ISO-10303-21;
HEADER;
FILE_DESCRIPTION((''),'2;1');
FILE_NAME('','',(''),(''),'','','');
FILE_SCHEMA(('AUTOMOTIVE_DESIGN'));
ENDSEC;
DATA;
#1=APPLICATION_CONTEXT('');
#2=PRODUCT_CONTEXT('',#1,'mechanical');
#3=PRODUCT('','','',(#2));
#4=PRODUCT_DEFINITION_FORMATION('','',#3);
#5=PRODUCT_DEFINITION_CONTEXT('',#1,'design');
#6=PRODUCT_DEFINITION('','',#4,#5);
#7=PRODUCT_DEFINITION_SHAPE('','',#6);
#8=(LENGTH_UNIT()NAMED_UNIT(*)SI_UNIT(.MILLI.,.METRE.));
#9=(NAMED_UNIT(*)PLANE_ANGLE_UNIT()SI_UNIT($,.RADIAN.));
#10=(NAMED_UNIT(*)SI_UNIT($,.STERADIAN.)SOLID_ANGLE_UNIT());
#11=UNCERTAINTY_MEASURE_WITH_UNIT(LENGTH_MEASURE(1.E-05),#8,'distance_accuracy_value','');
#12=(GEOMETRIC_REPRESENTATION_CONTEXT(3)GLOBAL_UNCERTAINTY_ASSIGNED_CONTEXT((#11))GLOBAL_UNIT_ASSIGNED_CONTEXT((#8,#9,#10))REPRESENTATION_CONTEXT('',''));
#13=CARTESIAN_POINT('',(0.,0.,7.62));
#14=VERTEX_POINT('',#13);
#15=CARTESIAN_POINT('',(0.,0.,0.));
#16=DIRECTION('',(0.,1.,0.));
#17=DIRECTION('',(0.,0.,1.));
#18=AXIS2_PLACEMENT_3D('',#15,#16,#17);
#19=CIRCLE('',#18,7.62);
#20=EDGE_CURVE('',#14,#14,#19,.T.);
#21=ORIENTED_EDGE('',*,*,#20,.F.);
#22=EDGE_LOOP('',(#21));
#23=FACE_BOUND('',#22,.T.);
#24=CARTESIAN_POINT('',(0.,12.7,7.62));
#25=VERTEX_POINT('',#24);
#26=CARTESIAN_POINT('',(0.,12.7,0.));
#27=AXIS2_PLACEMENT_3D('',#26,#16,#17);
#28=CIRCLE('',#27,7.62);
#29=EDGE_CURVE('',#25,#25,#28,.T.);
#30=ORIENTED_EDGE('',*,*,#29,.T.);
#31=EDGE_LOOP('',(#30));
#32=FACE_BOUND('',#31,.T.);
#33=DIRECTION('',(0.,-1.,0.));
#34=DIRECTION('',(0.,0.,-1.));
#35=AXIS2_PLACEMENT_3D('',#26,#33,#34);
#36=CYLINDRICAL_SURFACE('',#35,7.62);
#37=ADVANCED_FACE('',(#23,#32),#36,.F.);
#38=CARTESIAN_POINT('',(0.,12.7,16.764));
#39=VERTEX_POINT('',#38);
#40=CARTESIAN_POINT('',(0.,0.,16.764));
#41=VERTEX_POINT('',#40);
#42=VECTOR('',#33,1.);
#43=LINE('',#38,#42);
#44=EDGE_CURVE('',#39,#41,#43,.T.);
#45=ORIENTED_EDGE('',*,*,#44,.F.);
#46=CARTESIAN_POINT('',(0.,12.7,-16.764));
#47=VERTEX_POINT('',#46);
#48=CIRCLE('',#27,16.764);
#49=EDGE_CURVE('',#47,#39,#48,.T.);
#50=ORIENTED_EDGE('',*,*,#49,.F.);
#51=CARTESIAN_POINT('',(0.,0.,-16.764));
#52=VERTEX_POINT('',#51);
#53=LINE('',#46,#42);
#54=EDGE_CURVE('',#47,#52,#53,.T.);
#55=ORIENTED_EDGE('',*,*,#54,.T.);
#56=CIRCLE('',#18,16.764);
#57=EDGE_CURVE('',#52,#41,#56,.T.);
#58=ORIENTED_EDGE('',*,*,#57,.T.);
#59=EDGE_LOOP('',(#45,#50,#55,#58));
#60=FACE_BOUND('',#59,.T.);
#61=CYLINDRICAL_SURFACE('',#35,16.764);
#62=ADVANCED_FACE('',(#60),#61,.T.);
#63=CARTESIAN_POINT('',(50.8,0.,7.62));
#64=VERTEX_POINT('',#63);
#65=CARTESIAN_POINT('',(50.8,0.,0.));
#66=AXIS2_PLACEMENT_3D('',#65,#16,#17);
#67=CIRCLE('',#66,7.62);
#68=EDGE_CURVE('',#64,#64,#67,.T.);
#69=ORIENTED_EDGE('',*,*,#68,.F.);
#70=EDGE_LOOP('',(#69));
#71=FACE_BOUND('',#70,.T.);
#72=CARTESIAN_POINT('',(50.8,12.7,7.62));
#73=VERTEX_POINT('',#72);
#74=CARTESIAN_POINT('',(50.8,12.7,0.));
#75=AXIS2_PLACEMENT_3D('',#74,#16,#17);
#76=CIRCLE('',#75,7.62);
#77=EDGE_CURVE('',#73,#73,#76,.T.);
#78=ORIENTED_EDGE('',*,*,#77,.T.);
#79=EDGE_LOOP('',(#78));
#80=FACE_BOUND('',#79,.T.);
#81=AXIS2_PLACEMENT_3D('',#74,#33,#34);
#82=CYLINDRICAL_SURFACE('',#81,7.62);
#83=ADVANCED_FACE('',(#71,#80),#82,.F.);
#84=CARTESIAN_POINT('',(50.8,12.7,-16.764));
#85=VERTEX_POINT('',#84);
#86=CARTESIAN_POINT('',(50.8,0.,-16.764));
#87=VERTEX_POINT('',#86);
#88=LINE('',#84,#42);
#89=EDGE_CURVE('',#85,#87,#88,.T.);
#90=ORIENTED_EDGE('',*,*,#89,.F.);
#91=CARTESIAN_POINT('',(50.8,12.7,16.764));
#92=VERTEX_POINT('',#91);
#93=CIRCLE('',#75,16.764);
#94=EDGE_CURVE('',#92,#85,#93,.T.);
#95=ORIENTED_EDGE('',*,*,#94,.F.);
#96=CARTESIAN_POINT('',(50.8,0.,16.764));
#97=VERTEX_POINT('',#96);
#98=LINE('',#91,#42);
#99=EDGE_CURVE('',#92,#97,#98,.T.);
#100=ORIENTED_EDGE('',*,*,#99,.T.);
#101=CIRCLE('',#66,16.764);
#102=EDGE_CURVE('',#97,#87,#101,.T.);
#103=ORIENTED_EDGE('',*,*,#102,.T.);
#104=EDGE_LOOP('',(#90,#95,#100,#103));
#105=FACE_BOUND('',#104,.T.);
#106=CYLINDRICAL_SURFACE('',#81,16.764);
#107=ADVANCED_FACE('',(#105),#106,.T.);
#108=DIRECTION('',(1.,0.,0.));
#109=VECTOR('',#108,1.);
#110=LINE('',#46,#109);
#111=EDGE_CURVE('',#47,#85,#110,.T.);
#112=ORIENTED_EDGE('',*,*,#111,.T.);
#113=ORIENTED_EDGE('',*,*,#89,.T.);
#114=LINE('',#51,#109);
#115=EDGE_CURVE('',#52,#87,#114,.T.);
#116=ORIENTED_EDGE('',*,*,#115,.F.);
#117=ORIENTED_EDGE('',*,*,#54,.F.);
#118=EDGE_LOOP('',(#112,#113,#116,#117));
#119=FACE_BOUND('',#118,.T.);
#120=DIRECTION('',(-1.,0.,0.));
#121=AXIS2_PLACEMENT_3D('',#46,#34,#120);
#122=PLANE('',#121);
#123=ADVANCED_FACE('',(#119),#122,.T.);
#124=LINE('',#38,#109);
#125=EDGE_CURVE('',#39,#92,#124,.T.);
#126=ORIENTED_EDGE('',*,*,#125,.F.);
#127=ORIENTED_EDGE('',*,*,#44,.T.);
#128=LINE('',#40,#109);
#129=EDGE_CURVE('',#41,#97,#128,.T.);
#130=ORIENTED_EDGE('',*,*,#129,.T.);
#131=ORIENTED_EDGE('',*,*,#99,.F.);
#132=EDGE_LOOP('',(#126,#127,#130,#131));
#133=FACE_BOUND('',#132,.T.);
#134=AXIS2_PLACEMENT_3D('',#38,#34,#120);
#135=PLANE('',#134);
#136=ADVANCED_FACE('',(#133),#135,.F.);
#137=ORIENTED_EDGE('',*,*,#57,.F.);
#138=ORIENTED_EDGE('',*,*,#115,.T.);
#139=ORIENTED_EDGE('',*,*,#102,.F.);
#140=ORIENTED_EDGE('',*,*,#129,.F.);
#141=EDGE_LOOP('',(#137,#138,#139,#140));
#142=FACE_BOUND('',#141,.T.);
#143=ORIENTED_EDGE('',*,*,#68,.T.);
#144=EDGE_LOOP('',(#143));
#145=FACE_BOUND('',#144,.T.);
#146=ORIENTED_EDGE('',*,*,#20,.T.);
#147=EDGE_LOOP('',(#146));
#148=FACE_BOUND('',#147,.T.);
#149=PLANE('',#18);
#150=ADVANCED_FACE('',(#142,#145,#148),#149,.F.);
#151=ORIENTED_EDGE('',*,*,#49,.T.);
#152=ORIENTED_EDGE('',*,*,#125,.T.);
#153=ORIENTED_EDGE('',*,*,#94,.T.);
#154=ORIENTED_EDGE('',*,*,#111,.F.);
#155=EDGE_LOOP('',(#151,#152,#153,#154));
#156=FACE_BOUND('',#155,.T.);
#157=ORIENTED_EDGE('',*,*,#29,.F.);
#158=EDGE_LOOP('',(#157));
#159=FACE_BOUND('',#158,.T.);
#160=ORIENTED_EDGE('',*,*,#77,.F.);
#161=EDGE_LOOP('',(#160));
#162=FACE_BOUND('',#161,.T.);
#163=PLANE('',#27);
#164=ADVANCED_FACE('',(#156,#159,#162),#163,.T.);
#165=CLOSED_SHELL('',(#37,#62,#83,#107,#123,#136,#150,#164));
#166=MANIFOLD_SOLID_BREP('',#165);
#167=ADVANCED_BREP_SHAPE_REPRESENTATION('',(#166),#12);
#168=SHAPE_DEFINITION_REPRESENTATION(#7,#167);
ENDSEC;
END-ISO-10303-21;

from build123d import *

# Parameters (mm, degrees)
SKETCH2_R           = 7.62
BOSS_EXTRUDE1_DEPTH = 12.7


with BuildPart() as part:
    # Sketch2 → Boss-Extrude1 (new body)
    with BuildSketch(Plane(origin=(0, 0, 0), x_dir=(1, 0, 0), z_dir=(0, 1, 0))):
        with BuildLine():
            Line((0, 16.764), (50.8, 16.764))
            ThreePointArc((50.8, 16.764), (67.564, 0), (50.8, -16.764))
            Line((50.8, -16.764), (0, -16.764))
            ThreePointArc((0, -16.764), (-16.764, 0), (0, 16.764))
        make_face()
        with Locations(Location((0, 0, 0), (0, 0, 270))):
            Circle(SKETCH2_R, mode=Mode.SUBTRACT)
        with Locations(Location((50.8, 0, 0), (0, 0, 270))):
            Circle(SKETCH2_R, mode=Mode.SUBTRACT)
    extrude(amount=BOSS_EXTRUDE1_DEPTH)


solid = part.part
